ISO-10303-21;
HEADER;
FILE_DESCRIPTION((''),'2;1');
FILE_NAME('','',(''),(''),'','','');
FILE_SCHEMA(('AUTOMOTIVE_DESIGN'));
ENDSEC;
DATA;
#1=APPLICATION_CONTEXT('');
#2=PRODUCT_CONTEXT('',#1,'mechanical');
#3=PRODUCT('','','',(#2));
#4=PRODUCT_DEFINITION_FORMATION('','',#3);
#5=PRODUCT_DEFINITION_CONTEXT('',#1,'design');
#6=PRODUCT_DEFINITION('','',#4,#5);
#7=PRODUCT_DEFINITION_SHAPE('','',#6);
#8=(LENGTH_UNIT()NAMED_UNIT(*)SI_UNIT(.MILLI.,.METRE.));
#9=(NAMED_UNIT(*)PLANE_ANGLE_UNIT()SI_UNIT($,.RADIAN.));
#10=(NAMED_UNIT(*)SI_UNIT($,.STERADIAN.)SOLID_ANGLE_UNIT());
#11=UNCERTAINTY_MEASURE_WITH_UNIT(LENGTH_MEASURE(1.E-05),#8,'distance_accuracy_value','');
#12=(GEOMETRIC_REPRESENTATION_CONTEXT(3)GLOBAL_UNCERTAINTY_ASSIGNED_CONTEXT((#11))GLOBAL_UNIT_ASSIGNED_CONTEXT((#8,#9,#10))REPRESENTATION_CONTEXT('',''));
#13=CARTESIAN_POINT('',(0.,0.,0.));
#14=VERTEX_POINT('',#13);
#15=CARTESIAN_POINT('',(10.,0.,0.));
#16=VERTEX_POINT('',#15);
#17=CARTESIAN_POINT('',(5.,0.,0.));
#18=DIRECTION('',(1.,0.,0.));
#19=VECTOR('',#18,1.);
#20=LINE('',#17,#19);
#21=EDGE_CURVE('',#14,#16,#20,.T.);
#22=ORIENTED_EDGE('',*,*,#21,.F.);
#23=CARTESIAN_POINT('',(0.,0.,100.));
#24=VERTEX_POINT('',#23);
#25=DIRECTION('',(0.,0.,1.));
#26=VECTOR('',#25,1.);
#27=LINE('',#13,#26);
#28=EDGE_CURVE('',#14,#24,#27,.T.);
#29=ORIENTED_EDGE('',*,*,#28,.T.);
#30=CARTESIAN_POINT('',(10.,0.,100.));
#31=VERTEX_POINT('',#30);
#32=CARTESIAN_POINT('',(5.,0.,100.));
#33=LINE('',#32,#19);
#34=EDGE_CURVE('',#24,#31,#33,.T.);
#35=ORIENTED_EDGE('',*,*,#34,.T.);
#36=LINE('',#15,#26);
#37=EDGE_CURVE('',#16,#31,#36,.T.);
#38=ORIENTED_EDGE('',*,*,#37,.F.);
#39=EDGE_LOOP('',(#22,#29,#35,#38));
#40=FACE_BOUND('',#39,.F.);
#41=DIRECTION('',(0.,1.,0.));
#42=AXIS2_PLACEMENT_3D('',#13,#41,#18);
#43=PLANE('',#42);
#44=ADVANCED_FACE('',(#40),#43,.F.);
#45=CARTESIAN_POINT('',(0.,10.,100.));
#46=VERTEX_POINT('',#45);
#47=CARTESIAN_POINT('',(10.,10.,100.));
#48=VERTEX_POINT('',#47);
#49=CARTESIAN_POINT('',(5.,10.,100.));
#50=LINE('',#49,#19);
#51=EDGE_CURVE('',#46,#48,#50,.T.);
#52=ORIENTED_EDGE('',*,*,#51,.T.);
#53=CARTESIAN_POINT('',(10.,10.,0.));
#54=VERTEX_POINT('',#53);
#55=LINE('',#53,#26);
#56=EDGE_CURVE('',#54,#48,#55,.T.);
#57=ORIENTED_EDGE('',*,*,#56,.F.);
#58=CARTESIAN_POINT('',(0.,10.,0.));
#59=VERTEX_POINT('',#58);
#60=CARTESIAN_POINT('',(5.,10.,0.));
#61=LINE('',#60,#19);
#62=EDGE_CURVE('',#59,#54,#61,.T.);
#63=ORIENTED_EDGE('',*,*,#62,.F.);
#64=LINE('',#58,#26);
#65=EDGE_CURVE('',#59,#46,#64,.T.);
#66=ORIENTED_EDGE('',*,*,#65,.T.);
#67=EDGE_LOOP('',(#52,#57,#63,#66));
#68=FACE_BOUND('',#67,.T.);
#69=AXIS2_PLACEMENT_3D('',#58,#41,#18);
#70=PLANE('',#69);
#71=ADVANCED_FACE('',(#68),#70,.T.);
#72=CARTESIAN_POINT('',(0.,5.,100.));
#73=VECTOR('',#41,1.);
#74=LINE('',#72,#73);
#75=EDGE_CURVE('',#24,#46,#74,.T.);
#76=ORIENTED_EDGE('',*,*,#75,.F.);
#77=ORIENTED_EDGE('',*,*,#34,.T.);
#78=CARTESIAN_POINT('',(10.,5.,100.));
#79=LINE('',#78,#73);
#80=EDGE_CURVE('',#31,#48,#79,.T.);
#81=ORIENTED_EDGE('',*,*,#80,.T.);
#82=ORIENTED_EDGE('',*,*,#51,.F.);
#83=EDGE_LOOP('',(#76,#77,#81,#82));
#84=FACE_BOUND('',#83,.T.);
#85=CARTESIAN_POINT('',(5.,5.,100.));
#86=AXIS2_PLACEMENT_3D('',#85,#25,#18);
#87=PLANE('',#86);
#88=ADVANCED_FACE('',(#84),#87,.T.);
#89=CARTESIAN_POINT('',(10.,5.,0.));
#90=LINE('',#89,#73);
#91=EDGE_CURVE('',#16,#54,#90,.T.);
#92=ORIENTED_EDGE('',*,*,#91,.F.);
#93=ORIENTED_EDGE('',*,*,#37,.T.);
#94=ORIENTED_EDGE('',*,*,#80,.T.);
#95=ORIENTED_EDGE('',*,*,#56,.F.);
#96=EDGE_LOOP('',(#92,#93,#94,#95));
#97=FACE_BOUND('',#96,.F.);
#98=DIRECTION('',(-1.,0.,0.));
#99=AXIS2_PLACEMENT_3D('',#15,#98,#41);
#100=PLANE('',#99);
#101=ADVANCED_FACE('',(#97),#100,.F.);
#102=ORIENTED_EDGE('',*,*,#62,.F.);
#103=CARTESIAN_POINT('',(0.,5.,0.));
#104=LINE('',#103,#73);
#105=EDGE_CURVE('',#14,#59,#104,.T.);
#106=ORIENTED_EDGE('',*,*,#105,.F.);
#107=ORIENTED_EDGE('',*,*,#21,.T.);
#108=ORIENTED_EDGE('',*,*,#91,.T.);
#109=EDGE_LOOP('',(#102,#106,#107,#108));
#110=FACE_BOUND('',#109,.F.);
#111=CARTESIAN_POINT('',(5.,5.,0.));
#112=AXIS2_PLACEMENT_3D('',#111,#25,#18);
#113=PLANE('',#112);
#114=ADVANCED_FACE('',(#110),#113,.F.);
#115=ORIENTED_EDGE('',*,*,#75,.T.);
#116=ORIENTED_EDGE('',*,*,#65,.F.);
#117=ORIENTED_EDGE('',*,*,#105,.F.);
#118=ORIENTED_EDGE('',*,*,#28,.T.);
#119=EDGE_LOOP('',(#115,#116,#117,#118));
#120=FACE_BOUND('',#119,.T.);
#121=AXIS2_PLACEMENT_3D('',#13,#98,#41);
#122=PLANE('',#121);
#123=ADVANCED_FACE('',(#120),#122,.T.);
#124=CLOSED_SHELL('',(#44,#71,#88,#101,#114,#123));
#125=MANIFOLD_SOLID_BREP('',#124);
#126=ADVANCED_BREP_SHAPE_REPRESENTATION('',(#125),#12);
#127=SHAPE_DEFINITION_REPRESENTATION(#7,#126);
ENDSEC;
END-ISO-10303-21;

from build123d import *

# Parameters (mm, degrees)
BOX_W     = 10
BOX_H     = 10
BOX_DEPTH = 100


with BuildPart() as part:
    # Box → Box (new body)
    with BuildSketch(Plane.XY):
        with Locations((5, 5)):
            Rectangle(BOX_W, BOX_H)
    extrude(amount=BOX_DEPTH)


solid = part.part
